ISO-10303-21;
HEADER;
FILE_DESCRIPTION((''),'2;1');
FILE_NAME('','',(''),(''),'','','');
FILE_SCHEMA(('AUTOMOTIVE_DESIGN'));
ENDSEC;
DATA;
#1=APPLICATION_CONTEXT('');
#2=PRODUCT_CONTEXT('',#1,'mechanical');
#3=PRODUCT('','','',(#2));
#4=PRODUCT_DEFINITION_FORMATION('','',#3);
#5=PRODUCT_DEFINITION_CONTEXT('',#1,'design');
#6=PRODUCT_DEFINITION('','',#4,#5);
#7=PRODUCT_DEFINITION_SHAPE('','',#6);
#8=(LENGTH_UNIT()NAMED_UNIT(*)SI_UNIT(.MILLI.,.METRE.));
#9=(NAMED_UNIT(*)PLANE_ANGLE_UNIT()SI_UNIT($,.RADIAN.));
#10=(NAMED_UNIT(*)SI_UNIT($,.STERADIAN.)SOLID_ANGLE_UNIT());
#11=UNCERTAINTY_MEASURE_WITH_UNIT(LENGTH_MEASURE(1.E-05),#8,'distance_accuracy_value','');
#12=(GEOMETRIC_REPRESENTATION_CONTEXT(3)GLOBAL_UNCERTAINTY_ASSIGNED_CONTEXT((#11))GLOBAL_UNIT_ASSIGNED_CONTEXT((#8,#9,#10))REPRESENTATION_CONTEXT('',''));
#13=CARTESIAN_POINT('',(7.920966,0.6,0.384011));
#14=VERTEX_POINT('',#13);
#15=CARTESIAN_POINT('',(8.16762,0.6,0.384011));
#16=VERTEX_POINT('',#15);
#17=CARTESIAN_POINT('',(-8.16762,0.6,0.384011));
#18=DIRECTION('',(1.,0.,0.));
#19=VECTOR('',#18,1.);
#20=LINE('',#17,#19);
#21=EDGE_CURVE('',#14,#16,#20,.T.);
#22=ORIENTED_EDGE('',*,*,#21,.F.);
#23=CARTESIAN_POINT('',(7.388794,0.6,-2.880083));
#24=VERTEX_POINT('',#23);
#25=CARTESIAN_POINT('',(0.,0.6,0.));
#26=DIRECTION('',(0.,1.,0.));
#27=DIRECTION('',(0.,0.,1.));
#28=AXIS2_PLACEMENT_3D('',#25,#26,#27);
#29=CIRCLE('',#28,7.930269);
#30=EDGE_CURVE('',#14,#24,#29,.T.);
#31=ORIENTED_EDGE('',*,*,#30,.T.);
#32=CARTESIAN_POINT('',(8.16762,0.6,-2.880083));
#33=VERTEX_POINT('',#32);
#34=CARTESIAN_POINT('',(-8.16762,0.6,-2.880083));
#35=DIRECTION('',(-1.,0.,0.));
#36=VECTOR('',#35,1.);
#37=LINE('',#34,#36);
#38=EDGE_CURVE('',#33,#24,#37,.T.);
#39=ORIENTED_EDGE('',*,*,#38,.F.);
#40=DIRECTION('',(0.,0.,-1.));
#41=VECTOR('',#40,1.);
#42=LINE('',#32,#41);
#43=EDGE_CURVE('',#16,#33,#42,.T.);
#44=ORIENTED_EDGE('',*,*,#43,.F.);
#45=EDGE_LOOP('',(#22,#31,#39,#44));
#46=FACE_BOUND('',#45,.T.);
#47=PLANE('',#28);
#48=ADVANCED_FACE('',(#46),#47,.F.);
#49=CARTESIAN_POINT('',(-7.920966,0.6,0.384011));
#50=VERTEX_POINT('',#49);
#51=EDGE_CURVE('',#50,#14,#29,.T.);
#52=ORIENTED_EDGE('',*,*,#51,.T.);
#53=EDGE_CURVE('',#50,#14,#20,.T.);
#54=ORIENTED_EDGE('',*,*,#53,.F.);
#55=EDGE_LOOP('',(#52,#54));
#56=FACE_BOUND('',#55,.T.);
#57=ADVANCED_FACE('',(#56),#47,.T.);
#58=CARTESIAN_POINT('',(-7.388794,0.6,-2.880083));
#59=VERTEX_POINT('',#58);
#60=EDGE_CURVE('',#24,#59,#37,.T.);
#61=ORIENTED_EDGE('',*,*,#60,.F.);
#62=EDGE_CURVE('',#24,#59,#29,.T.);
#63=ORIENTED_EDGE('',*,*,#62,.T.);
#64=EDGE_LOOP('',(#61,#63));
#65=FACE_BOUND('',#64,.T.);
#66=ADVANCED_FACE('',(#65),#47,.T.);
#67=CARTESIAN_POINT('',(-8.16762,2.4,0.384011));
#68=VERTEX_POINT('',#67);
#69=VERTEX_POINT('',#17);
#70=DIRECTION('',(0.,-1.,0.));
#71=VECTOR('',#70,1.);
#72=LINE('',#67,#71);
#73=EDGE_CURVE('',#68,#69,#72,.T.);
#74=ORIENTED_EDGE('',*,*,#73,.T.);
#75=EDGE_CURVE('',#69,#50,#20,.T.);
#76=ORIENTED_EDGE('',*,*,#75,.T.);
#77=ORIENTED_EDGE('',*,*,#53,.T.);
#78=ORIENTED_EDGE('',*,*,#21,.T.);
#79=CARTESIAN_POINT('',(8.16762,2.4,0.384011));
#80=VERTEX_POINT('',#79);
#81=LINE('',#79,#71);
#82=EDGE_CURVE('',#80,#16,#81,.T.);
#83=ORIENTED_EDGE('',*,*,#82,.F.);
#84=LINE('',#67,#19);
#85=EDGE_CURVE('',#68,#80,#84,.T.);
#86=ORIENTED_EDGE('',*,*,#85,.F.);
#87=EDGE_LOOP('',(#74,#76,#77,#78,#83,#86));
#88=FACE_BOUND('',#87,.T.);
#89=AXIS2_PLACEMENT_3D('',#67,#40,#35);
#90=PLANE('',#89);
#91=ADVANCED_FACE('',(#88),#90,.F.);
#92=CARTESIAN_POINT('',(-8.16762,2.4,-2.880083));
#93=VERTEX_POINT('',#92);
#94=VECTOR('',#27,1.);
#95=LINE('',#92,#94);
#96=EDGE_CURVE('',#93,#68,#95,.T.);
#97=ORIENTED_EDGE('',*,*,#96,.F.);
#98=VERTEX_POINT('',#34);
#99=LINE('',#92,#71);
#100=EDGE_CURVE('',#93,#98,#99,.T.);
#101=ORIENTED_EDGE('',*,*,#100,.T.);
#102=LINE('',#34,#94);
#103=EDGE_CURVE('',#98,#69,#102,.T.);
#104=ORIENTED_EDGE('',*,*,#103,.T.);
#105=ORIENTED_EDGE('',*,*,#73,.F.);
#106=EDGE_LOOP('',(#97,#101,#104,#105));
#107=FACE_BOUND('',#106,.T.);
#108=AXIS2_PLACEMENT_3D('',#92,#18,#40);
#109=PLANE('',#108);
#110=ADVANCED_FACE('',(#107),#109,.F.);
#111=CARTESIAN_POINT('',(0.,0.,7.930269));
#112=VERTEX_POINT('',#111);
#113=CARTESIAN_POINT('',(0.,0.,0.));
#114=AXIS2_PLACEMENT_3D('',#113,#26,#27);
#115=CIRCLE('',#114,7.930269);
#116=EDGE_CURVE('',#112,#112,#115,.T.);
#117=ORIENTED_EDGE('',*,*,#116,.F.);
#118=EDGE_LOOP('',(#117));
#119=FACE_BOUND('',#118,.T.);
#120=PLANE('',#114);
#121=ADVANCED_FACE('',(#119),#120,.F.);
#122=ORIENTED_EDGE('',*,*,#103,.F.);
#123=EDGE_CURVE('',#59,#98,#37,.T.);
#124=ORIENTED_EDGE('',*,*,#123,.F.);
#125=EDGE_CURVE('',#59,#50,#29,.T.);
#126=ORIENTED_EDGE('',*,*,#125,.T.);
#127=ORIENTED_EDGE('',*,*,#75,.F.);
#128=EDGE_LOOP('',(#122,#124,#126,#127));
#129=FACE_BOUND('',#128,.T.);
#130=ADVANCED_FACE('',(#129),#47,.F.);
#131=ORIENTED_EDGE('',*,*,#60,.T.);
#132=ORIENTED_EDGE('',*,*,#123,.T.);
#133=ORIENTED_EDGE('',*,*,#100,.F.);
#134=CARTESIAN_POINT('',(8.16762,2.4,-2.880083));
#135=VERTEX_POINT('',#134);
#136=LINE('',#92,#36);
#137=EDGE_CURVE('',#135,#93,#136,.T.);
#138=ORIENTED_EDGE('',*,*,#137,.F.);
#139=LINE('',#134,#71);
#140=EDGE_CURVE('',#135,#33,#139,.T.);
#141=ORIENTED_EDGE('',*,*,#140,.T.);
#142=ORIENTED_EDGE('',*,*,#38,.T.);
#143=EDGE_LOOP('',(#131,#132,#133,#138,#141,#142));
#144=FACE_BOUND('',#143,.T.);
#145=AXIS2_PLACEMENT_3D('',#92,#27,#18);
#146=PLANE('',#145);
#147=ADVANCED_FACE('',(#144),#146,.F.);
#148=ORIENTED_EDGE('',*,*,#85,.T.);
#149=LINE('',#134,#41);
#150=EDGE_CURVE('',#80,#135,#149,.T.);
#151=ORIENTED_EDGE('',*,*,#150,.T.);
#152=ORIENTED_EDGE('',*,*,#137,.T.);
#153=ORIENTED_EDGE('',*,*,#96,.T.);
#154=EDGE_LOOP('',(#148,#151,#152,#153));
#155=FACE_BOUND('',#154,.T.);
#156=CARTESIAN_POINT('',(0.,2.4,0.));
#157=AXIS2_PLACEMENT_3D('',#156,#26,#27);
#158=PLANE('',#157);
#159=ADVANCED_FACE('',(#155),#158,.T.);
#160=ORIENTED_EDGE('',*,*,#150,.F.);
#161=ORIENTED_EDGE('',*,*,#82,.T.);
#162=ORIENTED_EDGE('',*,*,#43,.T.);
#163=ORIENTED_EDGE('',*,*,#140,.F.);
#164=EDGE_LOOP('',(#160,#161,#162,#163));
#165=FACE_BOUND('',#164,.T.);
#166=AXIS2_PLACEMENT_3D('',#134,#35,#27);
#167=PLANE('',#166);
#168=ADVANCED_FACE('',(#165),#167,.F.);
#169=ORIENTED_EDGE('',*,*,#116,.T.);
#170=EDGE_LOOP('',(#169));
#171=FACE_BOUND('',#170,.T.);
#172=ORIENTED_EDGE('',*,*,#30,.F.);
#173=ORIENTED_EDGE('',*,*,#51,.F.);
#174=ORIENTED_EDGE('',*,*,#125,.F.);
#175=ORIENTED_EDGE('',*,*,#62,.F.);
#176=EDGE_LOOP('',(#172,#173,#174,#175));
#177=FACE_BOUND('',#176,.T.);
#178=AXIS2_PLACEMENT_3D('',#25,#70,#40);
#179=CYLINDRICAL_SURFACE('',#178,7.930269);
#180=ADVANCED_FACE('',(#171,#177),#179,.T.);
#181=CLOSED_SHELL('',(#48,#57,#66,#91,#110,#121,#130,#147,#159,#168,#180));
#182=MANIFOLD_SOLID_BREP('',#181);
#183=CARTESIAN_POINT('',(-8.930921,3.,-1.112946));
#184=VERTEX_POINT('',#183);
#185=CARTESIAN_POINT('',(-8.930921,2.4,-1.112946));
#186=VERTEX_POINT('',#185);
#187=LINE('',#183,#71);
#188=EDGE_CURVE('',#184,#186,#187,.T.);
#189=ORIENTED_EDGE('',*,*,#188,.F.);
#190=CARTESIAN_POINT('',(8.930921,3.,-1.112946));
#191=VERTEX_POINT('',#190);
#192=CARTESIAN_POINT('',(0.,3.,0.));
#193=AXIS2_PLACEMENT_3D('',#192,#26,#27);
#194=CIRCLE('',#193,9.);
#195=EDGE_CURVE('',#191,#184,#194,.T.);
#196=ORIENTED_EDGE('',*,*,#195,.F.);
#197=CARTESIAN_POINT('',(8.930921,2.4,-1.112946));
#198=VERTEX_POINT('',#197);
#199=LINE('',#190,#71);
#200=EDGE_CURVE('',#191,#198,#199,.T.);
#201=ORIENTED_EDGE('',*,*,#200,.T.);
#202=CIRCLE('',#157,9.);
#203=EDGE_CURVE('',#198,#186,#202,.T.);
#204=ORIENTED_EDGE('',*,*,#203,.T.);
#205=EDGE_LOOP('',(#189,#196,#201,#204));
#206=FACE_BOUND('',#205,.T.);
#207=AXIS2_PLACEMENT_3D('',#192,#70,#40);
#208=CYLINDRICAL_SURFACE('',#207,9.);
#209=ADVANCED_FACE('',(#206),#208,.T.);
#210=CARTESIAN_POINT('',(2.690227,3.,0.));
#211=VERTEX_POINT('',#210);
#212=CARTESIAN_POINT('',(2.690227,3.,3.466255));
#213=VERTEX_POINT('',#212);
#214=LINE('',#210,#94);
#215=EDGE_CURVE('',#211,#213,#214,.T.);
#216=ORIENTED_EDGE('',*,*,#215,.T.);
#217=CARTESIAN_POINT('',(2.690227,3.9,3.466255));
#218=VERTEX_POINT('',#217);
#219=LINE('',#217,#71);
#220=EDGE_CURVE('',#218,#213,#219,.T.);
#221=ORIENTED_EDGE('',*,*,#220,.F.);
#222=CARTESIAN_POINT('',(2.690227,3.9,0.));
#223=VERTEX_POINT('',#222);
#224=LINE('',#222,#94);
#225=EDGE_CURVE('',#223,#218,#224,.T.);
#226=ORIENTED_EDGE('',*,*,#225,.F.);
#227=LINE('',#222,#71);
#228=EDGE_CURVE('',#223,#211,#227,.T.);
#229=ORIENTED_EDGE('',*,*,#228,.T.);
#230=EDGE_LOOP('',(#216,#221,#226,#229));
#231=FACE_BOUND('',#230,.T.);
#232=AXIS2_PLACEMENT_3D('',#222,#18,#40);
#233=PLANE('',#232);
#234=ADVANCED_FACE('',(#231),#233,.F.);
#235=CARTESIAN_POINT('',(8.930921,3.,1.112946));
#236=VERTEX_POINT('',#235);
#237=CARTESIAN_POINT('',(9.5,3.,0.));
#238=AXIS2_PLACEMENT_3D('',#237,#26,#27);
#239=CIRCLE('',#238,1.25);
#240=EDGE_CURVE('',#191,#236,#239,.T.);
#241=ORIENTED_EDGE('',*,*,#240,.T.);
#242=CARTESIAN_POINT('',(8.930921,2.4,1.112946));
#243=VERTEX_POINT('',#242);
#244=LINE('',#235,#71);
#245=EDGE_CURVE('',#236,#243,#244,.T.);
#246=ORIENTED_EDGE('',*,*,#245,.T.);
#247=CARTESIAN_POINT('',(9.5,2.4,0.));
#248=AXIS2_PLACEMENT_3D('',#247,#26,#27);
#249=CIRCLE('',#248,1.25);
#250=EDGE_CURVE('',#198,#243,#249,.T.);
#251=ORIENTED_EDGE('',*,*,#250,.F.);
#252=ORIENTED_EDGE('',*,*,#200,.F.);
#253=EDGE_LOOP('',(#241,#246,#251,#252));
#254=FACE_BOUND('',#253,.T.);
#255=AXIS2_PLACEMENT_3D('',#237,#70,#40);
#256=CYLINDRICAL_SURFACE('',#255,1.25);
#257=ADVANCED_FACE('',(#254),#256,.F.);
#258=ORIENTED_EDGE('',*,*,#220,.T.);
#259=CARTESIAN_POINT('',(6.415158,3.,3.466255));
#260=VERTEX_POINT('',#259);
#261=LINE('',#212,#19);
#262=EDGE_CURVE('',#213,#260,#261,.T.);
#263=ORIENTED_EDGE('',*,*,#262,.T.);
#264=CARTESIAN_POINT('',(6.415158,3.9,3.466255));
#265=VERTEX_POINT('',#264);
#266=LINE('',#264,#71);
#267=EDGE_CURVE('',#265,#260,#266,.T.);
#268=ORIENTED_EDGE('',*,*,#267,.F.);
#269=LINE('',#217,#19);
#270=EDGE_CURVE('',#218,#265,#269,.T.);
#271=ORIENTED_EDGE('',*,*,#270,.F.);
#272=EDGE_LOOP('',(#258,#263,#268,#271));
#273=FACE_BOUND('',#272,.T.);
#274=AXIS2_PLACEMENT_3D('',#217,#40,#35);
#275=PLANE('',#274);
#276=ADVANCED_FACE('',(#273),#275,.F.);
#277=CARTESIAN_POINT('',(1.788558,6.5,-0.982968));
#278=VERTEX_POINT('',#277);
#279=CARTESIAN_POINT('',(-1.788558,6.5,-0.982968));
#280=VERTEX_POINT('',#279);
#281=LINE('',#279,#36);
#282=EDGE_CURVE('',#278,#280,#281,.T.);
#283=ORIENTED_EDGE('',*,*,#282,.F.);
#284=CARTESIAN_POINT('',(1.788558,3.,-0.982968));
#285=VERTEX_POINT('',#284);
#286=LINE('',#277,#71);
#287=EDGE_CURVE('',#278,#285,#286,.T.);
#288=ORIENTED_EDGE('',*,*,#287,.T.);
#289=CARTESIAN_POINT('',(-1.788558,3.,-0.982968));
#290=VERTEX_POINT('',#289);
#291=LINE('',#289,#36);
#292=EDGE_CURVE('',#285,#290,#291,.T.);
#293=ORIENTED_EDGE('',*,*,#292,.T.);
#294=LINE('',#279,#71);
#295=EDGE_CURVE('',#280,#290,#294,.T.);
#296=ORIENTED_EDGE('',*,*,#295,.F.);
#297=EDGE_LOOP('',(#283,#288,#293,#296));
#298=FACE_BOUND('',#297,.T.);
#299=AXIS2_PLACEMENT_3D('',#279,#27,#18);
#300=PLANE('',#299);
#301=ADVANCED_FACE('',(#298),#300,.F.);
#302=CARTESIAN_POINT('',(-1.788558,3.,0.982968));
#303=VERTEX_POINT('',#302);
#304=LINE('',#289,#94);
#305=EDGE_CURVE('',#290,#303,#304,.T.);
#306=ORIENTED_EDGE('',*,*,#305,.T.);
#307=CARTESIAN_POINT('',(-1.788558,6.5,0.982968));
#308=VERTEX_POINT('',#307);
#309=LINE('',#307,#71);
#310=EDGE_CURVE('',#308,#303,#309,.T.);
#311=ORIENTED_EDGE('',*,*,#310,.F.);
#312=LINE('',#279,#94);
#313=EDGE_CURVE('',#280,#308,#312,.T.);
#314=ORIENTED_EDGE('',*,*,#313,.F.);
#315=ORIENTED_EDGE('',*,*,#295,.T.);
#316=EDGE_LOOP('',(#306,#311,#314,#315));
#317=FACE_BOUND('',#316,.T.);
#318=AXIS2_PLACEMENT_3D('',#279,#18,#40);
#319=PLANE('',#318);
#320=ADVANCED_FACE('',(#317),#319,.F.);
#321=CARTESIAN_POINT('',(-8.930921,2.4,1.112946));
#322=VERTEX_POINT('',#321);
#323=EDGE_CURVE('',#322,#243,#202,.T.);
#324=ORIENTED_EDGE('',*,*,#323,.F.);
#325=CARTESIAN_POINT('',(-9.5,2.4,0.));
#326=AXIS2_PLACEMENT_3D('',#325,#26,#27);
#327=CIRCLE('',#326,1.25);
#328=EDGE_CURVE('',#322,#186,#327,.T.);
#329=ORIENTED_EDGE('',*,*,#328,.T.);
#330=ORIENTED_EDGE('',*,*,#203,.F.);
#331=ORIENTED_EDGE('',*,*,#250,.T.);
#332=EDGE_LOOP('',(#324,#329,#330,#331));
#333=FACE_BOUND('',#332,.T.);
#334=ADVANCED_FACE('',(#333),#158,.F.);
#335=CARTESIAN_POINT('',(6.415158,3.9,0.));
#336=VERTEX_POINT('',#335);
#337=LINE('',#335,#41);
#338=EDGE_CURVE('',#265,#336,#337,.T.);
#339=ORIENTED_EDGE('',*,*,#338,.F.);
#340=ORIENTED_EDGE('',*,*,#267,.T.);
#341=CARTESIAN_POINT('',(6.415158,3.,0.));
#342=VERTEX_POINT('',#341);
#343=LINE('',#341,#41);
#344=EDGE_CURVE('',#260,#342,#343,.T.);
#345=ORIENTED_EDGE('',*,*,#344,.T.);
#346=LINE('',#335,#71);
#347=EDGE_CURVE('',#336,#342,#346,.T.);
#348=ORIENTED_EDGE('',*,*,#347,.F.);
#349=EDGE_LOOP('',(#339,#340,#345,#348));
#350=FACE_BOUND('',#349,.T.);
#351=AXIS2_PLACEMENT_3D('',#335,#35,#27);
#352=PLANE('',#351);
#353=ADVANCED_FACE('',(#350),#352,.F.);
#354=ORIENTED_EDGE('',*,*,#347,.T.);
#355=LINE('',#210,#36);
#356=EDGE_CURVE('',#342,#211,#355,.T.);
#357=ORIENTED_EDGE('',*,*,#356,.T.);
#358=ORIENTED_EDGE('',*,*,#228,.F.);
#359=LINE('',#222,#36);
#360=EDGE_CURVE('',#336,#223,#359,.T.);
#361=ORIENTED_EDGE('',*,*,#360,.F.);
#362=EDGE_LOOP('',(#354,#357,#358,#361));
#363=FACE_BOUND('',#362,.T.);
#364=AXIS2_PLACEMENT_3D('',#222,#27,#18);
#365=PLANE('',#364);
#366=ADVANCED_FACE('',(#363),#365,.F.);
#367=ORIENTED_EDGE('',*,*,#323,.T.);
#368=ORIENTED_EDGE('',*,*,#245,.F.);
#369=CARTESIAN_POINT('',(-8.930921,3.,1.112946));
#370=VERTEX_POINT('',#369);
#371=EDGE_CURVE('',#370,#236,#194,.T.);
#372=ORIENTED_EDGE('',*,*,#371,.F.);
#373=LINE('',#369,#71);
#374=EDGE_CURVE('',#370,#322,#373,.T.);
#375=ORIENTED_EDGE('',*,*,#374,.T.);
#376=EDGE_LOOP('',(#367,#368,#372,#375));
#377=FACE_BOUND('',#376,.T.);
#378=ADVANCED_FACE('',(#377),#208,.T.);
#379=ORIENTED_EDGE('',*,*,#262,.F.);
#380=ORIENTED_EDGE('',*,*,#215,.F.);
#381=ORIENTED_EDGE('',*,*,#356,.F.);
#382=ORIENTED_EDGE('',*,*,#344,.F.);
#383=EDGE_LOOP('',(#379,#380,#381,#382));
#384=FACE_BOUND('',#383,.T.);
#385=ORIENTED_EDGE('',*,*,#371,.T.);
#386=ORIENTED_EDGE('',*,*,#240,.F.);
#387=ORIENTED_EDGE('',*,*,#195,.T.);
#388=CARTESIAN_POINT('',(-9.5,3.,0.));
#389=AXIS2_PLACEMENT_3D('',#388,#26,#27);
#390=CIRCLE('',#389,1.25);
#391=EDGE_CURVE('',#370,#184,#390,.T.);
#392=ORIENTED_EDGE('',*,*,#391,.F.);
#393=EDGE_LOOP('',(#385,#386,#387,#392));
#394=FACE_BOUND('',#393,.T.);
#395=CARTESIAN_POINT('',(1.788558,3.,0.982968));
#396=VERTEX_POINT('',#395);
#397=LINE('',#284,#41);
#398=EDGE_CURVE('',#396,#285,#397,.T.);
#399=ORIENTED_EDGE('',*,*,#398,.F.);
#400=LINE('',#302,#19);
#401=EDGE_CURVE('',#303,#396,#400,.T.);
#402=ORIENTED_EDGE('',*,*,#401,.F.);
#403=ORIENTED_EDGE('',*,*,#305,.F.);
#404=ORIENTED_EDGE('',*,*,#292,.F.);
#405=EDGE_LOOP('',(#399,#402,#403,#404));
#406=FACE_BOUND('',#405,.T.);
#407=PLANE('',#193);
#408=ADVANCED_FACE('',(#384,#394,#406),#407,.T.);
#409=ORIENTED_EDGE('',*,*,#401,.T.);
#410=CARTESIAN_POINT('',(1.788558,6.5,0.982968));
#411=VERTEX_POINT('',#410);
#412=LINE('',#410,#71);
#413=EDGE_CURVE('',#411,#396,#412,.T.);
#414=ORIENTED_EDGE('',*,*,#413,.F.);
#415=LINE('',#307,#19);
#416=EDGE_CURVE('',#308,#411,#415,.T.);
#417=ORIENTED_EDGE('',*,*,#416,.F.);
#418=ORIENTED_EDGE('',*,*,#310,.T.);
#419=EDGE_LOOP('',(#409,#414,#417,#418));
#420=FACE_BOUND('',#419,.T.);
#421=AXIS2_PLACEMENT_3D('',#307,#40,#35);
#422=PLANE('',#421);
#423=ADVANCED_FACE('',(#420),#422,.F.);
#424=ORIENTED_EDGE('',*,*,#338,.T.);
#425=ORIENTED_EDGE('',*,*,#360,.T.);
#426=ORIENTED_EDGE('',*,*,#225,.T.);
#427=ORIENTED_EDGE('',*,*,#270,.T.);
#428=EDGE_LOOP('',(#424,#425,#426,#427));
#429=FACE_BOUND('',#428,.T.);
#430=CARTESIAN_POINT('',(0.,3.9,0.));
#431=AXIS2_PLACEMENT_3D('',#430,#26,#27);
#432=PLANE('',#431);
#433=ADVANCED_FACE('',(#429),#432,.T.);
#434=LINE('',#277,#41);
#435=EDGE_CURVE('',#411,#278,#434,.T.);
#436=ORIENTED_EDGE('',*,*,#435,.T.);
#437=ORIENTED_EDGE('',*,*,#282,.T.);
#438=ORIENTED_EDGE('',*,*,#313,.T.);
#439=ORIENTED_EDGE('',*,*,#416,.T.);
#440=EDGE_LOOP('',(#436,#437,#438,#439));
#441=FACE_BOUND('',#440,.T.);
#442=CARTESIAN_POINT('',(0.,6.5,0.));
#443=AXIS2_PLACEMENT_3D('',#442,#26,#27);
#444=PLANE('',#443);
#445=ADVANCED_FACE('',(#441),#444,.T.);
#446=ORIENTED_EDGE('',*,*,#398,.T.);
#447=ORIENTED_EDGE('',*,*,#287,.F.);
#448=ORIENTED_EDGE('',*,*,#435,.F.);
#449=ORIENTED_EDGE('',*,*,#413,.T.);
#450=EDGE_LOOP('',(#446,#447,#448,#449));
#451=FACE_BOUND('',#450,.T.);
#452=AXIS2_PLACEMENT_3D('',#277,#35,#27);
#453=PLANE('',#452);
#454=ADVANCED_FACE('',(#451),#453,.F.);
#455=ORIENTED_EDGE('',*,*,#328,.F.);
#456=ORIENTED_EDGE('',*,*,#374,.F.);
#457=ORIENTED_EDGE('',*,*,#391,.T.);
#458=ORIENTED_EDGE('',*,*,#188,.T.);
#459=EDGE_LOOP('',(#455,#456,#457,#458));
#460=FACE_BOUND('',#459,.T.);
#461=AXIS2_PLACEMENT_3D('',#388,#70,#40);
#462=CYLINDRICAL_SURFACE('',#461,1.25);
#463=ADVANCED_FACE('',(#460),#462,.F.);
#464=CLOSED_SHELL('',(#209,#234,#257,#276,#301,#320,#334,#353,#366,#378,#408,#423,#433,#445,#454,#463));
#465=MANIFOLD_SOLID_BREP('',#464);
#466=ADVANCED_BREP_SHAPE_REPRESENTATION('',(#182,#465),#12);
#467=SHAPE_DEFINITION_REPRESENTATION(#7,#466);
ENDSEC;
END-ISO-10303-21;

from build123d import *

# Parameters (mm, degrees)
SKETCH1_R           = 7.93026875
BOSS_EXTRUDE1_DEPTH = 0.6
SKETCH2_W           = 16.335240752
SKETCH2_H           = 3.264094219
BOSS_EXTRUDE2_DEPTH = 1.8
BOSS_EXTRUDE3_DEPTH = 0.6
SKETCH4_W           = 3.724930292
SKETCH4_H           = 3.466254577
BOSS_EXTRUDE4_DEPTH = 0.9
SKETCH5_W           = 3.577115598
SKETCH5_H           = 1.965935432
BOSS_EXTRUDE5_DEPTH = 3.5


with BuildPart() as part:
    # Sketch1 → Boss-Extrude1 (new body)
    with BuildSketch(Plane(origin=(0, 0, 0), x_dir=(1, 0, 0), z_dir=(0, 1, 0))):
        with Locations(Location((0, 0, 0), (0, 0, 270))):
            Circle(SKETCH1_R)
    extrude(amount=BOSS_EXTRUDE1_DEPTH)

    # Sketch2 → Boss-Extrude2 (add)
    with BuildSketch(Plane(origin=(0, 0.6, 0), x_dir=(1, 0, 0), z_dir=(0, 1, 0))):
        with Locations((0, 1.248036025)):
            Rectangle(SKETCH2_W, SKETCH2_H)
    extrude(amount=BOSS_EXTRUDE2_DEPTH)


with BuildPart() as body_2:
    # Sketch3 → Boss-Extrude3 (new body)
    with BuildSketch(Plane(origin=(0, 2.4, 0), x_dir=(1, 0, 0), z_dir=(0, 1, 0))):
        with BuildLine():
            ThreePointArc((8.930921053, -1.112946158), (8.25, 0), (8.930921053, 1.112946158))
            ThreePointArc((8.930921053, 1.112946158), (0, 9), (-8.930921053, 1.112946158))
            ThreePointArc((-8.930921053, 1.112946158), (-8.433733456, 0.652361601), (-8.25, 0))
            ThreePointArc((-8.25, 0), (-8.433733456, -0.652361601), (-8.930921053, -1.112946158))
            ThreePointArc((-8.930921053, -1.112946158), (0, -9), (8.930921053, -1.112946158))
        make_face()
    extrude(amount=BOSS_EXTRUDE3_DEPTH)

    # Sketch4 → Boss-Extrude4 (add)
    with BuildSketch(Plane(origin=(0, 3, 0), x_dir=(1, 0, 0), z_dir=(0, 1, 0))):
        with Locations((4.552692579, -1.733127289)):
            Rectangle(SKETCH4_W, SKETCH4_H)
    extrude(amount=BOSS_EXTRUDE4_DEPTH)

    # Sketch5 → Boss-Extrude5 (add)
    with BuildSketch(Plane(origin=(0, 3, 0), x_dir=(1, 0, 0), z_dir=(0, 1, 0))):
        Rectangle(SKETCH5_W, SKETCH5_H)
    extrude(amount=BOSS_EXTRUDE5_DEPTH)


solid = Compound([part.part, body_2.part])
